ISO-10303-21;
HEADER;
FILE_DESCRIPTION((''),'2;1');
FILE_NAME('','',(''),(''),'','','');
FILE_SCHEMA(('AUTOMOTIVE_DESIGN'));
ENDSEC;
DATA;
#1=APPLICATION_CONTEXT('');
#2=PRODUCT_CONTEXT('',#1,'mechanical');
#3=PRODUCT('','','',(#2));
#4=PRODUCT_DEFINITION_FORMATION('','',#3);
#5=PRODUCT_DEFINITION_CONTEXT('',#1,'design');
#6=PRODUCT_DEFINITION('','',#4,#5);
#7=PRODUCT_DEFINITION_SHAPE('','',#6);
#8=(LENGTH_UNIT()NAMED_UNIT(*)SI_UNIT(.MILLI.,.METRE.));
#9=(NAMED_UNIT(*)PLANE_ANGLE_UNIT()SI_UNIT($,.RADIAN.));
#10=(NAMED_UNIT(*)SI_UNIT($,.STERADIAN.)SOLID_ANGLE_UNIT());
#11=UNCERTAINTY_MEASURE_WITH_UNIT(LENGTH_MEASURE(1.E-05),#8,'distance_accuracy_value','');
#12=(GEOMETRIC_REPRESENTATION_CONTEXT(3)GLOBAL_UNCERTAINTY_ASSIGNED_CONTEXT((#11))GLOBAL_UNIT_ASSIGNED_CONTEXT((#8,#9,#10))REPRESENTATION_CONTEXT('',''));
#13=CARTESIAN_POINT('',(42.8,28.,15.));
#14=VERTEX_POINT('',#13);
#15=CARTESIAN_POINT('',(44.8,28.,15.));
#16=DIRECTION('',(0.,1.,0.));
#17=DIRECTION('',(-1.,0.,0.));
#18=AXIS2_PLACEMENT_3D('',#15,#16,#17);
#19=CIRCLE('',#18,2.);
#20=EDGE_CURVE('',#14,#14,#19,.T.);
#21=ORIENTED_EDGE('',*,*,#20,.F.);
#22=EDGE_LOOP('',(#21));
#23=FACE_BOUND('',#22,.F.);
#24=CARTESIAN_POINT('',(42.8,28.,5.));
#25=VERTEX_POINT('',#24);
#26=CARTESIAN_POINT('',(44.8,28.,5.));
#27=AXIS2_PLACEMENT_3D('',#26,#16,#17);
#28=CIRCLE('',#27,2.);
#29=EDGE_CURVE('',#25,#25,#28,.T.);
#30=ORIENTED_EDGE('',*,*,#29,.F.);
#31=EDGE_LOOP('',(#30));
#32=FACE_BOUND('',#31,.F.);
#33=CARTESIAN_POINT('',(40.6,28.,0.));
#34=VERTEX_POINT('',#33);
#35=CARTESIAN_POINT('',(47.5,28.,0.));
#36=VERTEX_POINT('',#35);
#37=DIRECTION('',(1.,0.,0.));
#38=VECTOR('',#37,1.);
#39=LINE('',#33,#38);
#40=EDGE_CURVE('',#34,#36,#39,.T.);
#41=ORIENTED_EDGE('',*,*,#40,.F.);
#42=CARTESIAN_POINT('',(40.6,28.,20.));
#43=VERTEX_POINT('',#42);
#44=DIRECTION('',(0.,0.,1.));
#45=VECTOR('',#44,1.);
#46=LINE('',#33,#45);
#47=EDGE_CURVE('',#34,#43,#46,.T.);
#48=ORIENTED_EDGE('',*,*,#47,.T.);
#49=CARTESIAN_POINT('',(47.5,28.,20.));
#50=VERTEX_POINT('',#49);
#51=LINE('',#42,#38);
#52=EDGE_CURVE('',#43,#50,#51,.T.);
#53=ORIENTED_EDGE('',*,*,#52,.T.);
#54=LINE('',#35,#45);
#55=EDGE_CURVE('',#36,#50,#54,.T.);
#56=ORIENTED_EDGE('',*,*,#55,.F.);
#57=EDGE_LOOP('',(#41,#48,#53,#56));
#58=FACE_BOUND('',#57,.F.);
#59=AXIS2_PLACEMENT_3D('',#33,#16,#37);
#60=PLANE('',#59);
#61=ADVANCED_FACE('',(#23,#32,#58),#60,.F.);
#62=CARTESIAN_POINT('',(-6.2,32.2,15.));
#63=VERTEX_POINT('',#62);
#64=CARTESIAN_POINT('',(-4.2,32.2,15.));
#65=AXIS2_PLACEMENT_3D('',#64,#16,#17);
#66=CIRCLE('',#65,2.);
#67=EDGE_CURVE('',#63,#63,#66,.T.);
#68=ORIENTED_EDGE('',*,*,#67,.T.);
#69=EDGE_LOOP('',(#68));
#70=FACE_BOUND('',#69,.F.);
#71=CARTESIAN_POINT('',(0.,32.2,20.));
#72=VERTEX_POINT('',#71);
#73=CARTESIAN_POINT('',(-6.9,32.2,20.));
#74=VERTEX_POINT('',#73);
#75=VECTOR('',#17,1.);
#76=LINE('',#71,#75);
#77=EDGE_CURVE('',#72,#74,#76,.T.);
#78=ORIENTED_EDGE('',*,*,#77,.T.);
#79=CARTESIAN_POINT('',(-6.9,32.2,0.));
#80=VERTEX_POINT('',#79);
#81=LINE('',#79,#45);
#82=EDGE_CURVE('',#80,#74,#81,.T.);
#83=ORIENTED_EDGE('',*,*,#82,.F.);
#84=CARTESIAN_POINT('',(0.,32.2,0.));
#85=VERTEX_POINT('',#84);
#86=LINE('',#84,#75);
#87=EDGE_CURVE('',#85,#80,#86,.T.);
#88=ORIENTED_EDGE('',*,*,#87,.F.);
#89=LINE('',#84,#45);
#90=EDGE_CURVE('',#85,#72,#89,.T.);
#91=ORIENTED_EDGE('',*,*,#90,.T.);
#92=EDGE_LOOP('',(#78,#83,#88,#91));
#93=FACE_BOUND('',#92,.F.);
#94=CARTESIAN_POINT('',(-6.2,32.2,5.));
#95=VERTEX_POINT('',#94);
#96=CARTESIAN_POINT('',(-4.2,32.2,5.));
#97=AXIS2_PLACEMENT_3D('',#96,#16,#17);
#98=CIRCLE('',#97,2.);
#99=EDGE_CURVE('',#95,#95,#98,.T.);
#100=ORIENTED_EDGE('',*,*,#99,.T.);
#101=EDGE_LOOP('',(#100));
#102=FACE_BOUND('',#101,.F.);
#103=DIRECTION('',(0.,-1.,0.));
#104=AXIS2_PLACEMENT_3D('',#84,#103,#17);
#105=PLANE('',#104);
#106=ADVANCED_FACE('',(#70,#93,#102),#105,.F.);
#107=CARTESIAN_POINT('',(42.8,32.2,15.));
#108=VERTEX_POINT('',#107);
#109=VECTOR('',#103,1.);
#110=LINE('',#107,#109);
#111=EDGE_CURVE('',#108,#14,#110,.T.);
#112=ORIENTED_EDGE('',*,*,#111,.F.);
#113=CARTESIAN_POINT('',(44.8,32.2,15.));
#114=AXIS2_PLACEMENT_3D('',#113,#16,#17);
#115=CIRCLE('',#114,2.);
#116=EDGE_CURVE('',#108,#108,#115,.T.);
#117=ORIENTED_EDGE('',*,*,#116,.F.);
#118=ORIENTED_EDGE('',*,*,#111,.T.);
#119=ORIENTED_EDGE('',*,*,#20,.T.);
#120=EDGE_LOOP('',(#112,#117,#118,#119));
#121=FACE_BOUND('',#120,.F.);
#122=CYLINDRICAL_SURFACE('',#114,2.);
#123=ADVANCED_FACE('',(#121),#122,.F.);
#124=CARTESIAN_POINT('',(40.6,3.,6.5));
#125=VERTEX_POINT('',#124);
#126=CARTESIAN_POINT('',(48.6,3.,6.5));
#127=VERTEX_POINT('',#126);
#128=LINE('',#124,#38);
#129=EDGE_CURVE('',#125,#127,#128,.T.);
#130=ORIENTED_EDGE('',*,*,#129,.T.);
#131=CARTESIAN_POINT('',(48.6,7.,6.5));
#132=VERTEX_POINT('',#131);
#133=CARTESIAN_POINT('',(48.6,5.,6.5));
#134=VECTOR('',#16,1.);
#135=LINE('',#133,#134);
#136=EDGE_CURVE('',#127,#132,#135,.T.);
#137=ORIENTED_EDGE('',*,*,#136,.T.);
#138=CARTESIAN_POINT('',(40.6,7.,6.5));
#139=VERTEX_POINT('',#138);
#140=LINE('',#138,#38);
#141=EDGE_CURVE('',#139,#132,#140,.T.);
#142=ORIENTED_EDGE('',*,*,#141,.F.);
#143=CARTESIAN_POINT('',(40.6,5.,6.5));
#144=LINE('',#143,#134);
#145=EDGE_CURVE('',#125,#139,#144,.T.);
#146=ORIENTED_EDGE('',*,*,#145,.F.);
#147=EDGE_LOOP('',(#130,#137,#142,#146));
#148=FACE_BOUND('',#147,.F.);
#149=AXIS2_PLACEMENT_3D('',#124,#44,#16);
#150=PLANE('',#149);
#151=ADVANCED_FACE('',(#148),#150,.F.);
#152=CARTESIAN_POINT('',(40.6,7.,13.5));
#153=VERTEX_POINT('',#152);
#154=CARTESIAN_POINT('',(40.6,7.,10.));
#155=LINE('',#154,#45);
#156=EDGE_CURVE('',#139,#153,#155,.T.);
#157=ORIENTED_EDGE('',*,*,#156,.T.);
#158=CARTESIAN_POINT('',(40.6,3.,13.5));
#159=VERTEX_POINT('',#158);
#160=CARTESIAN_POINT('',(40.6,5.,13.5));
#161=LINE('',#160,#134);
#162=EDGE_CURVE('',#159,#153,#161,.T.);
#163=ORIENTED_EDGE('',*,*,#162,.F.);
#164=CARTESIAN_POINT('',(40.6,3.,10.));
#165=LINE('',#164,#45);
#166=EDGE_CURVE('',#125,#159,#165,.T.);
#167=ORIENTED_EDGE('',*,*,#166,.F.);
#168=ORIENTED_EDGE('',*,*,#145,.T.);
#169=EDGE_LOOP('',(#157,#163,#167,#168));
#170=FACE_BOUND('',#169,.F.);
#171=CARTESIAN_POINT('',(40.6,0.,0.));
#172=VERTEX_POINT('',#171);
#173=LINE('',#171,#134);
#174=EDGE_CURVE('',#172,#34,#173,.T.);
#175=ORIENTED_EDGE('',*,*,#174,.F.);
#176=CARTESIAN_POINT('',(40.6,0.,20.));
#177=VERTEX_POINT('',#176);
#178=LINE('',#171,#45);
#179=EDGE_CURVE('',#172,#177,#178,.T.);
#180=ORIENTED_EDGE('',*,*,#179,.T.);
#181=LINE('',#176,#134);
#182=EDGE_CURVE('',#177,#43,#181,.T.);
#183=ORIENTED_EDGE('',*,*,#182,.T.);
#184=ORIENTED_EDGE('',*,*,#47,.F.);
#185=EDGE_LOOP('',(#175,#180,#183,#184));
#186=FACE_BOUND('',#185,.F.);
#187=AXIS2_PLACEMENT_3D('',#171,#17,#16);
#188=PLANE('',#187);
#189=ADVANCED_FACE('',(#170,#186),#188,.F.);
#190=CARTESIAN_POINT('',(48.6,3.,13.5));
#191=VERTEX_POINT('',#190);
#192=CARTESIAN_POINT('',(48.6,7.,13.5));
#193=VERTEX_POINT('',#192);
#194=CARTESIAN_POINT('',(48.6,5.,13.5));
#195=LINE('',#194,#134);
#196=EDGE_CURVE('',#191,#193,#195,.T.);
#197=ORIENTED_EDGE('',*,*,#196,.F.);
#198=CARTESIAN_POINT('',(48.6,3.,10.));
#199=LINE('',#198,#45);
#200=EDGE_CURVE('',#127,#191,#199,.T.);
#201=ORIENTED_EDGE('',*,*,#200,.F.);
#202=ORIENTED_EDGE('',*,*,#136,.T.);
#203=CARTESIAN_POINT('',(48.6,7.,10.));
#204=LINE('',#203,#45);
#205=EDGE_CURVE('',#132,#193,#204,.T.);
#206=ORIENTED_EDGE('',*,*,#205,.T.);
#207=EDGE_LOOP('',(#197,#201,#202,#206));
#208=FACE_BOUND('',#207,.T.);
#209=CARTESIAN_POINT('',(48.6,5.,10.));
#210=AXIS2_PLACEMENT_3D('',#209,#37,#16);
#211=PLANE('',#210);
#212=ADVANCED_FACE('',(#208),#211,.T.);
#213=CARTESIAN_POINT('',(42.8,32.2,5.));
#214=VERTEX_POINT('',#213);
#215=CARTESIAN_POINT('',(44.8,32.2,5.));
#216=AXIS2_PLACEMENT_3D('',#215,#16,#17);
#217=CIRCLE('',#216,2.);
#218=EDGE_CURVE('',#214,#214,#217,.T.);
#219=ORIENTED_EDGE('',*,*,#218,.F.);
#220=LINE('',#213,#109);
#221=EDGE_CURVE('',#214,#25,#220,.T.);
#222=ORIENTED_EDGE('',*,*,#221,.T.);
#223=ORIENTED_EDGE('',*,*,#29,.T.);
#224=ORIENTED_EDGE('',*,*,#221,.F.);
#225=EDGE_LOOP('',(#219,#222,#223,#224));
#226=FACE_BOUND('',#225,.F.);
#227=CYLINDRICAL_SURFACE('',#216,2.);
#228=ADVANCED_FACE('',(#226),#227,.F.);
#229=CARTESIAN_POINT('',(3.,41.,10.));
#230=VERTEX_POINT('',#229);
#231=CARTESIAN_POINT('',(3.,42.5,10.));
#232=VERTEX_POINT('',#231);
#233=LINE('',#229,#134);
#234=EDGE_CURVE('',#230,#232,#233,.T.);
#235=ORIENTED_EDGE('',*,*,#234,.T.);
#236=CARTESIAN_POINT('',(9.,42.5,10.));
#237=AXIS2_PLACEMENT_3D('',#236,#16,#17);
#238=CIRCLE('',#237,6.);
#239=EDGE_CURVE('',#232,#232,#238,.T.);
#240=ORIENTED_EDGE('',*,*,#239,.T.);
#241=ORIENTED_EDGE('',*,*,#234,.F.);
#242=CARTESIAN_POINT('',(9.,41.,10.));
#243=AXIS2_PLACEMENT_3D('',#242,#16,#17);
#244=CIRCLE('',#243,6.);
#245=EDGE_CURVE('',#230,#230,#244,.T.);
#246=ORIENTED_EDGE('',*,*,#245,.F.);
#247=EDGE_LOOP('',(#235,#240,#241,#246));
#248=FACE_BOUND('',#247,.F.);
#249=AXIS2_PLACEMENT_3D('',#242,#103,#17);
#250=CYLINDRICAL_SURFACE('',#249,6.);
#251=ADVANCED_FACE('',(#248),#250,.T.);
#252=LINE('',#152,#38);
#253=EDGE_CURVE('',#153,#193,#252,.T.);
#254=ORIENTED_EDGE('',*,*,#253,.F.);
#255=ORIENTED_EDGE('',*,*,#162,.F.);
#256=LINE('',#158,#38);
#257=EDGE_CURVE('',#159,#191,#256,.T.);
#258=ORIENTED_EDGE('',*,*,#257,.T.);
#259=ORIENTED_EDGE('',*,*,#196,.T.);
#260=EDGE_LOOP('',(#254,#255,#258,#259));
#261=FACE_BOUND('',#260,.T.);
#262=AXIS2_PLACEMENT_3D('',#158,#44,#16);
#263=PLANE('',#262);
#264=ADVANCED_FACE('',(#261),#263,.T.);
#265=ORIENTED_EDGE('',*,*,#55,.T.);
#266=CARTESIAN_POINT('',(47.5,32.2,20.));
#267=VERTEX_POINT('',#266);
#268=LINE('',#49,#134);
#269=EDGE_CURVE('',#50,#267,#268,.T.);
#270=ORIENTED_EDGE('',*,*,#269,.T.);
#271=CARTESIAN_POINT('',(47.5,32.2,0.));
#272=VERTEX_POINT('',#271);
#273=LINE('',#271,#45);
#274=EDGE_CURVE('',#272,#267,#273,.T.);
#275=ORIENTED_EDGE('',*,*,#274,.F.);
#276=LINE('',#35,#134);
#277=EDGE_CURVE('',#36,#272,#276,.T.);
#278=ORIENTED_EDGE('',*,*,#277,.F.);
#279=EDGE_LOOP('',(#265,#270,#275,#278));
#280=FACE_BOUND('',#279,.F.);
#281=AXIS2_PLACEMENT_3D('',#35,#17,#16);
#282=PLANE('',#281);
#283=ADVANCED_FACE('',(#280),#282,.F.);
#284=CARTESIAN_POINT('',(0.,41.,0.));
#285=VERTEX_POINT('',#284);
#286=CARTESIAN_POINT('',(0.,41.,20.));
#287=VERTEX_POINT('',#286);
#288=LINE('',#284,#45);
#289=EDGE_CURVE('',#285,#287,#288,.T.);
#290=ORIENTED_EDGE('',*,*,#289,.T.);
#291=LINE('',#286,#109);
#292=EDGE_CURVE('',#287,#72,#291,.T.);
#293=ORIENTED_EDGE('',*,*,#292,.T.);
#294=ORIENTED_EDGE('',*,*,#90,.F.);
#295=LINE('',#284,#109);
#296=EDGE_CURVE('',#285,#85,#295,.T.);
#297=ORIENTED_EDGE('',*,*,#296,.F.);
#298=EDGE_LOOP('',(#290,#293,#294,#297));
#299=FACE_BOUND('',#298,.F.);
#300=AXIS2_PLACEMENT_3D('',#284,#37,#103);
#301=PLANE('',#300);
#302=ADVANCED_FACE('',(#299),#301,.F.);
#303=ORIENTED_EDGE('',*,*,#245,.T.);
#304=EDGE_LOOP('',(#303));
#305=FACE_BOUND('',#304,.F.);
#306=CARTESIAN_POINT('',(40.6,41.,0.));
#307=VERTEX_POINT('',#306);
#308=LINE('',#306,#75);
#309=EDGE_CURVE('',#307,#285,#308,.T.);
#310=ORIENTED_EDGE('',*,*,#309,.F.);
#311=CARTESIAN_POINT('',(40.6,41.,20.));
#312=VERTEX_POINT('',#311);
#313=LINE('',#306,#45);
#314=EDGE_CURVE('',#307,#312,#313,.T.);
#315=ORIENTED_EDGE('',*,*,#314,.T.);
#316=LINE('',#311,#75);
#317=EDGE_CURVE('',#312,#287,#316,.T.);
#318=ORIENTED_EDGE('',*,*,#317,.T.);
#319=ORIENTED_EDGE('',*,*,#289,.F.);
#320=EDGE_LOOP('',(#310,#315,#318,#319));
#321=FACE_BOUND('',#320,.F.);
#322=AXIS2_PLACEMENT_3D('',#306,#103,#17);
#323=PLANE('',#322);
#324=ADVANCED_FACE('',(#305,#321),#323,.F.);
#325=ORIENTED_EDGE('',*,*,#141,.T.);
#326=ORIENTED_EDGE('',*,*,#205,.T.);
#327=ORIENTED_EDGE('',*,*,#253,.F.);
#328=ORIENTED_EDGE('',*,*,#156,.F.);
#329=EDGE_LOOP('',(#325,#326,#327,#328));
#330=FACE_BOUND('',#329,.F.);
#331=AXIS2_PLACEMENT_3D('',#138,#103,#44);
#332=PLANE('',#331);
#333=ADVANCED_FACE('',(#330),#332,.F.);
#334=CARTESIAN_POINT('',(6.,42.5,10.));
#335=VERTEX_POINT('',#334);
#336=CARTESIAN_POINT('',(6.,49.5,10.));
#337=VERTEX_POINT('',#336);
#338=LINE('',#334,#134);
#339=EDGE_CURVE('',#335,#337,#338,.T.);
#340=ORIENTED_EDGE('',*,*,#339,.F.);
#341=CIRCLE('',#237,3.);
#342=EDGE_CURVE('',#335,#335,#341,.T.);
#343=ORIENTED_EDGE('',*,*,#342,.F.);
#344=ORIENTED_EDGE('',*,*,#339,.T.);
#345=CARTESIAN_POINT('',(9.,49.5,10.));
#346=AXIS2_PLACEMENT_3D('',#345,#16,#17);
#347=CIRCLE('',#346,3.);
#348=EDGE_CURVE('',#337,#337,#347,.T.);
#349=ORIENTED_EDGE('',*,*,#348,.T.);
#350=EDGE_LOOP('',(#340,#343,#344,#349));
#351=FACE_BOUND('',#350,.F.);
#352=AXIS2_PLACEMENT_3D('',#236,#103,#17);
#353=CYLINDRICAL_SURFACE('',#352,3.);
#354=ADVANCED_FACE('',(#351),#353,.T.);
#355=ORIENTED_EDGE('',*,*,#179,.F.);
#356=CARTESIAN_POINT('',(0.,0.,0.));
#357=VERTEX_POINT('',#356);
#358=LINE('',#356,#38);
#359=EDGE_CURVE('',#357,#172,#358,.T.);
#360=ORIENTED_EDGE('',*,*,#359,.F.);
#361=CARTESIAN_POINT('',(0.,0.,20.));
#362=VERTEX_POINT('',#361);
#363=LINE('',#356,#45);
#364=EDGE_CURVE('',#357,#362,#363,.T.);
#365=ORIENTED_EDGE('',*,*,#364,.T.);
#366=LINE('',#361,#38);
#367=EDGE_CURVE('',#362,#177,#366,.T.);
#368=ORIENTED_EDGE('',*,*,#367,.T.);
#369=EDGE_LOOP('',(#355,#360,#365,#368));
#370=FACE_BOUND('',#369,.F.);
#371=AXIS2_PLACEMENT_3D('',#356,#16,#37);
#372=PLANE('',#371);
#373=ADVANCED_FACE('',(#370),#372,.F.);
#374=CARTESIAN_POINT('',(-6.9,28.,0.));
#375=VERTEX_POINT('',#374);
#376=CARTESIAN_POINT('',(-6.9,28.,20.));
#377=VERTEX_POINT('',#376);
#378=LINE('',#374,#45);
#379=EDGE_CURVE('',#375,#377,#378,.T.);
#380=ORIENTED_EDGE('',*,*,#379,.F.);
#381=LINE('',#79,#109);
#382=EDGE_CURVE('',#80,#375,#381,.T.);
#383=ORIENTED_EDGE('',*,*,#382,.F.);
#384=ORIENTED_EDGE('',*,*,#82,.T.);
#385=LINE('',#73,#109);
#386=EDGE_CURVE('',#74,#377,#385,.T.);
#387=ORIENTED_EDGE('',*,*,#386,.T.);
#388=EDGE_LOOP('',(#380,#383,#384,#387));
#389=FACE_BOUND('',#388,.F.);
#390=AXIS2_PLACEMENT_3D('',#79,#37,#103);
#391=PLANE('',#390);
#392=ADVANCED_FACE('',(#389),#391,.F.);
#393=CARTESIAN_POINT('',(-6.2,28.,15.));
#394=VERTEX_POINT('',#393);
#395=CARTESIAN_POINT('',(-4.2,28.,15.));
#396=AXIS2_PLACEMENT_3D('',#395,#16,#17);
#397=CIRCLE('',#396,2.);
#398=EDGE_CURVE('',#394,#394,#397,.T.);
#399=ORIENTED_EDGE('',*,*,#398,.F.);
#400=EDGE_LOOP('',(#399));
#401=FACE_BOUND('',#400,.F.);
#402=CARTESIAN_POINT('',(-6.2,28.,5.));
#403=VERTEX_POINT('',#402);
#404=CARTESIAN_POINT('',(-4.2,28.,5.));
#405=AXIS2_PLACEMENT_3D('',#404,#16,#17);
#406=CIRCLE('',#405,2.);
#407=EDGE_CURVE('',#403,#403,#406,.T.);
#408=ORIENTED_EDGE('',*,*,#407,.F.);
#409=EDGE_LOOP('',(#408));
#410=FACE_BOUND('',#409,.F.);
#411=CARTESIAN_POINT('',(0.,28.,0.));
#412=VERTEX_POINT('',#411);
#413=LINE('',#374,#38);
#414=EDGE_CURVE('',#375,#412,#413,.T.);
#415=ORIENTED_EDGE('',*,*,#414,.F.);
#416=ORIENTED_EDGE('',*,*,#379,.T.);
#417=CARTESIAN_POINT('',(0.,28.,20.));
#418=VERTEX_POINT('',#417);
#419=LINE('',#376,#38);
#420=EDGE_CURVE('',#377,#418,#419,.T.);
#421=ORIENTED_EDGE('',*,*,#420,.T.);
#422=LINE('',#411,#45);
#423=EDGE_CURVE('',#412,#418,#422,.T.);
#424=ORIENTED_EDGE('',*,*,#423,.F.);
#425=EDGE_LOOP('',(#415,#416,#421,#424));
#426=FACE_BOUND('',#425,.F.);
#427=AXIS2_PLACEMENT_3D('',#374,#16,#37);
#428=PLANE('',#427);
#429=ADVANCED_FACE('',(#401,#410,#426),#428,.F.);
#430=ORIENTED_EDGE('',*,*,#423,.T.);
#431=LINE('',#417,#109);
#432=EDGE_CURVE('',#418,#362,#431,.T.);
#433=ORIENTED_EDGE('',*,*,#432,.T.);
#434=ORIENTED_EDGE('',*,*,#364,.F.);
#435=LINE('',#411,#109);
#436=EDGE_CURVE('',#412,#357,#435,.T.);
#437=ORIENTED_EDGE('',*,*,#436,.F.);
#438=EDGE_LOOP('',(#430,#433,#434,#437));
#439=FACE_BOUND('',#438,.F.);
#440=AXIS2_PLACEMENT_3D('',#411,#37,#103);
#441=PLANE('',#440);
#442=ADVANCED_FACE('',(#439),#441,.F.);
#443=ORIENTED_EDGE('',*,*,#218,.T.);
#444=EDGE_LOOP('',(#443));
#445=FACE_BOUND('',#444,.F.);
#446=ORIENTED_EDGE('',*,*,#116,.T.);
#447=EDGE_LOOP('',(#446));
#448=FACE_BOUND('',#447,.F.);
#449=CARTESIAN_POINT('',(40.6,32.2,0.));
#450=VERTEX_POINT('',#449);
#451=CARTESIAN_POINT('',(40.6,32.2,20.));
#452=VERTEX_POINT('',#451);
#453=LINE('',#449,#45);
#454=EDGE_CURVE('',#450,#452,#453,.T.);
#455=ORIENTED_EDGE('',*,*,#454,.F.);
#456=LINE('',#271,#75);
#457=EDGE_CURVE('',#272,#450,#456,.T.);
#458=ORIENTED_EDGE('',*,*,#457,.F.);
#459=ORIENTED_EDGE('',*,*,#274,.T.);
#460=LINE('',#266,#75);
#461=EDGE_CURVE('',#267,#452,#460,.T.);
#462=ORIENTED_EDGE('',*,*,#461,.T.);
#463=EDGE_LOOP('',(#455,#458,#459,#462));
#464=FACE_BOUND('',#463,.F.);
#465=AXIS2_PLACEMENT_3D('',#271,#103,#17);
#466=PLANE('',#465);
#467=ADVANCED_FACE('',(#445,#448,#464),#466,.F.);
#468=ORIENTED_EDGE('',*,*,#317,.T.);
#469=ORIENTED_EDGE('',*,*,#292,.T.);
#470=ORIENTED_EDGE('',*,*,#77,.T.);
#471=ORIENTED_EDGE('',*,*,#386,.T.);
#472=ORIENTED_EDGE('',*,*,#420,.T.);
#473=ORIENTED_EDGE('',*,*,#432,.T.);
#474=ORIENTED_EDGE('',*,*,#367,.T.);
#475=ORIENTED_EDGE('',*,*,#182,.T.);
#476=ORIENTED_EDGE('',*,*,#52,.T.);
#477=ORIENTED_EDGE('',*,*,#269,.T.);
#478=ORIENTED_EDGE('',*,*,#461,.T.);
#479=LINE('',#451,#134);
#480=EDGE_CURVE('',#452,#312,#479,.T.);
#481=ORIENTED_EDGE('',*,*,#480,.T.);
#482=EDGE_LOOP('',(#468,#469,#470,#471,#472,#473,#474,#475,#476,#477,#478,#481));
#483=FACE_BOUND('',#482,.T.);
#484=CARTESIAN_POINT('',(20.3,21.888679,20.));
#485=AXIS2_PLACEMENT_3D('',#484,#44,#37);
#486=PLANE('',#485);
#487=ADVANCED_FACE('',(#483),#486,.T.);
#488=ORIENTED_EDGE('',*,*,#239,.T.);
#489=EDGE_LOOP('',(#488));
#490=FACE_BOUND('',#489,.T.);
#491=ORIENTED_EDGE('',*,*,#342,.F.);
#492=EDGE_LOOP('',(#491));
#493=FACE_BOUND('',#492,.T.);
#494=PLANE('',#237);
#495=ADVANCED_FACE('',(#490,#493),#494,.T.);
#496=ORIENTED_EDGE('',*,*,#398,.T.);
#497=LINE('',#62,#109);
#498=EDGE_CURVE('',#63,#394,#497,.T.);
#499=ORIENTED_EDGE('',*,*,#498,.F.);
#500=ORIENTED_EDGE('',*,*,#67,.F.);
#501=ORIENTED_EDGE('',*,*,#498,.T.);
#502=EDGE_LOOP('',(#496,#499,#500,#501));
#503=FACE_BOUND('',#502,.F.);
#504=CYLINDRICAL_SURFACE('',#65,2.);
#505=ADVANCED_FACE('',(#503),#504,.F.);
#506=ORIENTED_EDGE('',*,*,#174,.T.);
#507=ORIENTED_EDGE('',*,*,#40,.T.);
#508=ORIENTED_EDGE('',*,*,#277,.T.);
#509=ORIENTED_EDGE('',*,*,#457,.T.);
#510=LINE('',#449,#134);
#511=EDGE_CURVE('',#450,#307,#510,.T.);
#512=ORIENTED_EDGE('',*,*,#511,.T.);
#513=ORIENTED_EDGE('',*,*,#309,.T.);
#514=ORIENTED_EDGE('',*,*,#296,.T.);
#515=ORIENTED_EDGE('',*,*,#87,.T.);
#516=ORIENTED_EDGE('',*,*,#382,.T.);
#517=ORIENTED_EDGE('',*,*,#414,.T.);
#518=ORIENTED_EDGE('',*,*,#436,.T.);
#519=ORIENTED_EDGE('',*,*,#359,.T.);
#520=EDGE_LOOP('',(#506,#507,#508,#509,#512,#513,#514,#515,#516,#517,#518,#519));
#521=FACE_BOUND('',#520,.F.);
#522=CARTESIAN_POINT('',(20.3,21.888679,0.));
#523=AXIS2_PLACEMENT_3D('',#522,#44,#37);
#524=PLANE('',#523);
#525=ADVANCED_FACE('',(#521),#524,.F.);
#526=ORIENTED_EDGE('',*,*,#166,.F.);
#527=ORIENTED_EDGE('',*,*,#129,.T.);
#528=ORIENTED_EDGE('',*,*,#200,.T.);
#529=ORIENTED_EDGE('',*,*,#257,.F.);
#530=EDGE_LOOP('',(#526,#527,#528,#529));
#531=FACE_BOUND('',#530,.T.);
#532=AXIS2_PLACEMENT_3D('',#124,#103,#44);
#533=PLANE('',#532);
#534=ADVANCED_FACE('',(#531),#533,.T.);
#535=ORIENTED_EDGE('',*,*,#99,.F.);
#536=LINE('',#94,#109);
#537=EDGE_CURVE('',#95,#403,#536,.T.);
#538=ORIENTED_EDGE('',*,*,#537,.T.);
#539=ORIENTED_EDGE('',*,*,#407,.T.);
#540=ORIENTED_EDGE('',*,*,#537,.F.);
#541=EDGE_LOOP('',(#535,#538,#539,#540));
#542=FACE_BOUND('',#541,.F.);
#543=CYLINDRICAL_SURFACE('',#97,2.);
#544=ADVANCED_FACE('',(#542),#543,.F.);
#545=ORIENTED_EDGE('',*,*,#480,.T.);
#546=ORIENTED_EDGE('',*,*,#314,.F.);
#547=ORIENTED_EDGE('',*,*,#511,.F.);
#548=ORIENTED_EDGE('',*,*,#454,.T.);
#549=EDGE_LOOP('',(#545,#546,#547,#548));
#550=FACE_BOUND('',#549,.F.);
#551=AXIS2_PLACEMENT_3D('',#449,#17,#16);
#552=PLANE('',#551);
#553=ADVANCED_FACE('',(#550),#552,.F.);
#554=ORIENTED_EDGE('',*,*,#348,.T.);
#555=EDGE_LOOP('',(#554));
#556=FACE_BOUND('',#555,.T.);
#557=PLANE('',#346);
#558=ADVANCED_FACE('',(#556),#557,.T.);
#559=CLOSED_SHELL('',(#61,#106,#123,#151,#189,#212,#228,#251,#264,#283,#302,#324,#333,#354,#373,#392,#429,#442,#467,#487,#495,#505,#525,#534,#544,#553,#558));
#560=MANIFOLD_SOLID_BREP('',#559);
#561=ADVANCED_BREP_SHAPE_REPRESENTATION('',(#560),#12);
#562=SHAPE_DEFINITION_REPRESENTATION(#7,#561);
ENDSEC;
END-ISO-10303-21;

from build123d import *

# Parameters (mm, degrees)
PAD_DEPTH    = 20
SKETCH001_R  = 6
PAD001_DEPTH = 1.5
SKETCH002_R  = 3
PAD002_DEPTH = 7
SKETCH003_R  = 2
POCKET_DEPTH = 32.201
SKETCH004_W  = 4
SKETCH004_H  = 7
PAD003_DEPTH = 8


with BuildPart() as part:
    # Sketch → Pad (new body)
    with BuildSketch(Plane.XY):
        Polygon((0, 0), (40.6, 0), (40.6, 28), (47.5, 28), (47.5, 32.2), (40.6, 32.2), (40.6, 41), (0, 41), (0, 32.2), (-6.9, 32.2), (-6.9, 28), (0, 28), align=None)
    extrude(amount=PAD_DEPTH)

    # Sketch001 (on Face8 of Pad) → Pad001 (join)
    with BuildSketch(Plane(origin=(0, 41, 0), x_dir=(-1, 0, 0), z_dir=(0, 1, 0))):
        with Locations((-9, 10)):
            Circle(SKETCH001_R)
    extrude(amount=PAD001_DEPTH)

    # Sketch002 (on Face16 of Pad001) → Pad002 (join)
    with BuildSketch(Plane(origin=(0, 42.5, 0), x_dir=(-1, 0, 0), z_dir=(0, 1, 0))):
        with Locations((-9, 10)):
            Circle(SKETCH002_R)
    extrude(amount=PAD002_DEPTH)

    # Sketch003 (on Face10 of Pad002) → Pocket (cut, through all)
    with BuildSketch(Plane(origin=(0, 32.2, 0), x_dir=(-1, 0, 0), z_dir=(0, 1, 0))):
        with Locations((4.2, 15)):
            Circle(SKETCH003_R)
        with Locations((4.2, 5)):
            Circle(SKETCH003_R)
        with Locations((-44.8, 5)):
            Circle(SKETCH003_R)
        with Locations((-44.8, 15)):
            Circle(SKETCH003_R)
    extrude(amount=-POCKET_DEPTH, mode=Mode.SUBTRACT)

    # Sketch004 (on Face9 of Pocket) → Pad003 (join)
    with BuildSketch(Plane.YZ.offset(40.6)):
        with Locations((5, 10)):
            Rectangle(SKETCH004_W, SKETCH004_H)
    extrude(amount=PAD003_DEPTH)


solid = part.part
